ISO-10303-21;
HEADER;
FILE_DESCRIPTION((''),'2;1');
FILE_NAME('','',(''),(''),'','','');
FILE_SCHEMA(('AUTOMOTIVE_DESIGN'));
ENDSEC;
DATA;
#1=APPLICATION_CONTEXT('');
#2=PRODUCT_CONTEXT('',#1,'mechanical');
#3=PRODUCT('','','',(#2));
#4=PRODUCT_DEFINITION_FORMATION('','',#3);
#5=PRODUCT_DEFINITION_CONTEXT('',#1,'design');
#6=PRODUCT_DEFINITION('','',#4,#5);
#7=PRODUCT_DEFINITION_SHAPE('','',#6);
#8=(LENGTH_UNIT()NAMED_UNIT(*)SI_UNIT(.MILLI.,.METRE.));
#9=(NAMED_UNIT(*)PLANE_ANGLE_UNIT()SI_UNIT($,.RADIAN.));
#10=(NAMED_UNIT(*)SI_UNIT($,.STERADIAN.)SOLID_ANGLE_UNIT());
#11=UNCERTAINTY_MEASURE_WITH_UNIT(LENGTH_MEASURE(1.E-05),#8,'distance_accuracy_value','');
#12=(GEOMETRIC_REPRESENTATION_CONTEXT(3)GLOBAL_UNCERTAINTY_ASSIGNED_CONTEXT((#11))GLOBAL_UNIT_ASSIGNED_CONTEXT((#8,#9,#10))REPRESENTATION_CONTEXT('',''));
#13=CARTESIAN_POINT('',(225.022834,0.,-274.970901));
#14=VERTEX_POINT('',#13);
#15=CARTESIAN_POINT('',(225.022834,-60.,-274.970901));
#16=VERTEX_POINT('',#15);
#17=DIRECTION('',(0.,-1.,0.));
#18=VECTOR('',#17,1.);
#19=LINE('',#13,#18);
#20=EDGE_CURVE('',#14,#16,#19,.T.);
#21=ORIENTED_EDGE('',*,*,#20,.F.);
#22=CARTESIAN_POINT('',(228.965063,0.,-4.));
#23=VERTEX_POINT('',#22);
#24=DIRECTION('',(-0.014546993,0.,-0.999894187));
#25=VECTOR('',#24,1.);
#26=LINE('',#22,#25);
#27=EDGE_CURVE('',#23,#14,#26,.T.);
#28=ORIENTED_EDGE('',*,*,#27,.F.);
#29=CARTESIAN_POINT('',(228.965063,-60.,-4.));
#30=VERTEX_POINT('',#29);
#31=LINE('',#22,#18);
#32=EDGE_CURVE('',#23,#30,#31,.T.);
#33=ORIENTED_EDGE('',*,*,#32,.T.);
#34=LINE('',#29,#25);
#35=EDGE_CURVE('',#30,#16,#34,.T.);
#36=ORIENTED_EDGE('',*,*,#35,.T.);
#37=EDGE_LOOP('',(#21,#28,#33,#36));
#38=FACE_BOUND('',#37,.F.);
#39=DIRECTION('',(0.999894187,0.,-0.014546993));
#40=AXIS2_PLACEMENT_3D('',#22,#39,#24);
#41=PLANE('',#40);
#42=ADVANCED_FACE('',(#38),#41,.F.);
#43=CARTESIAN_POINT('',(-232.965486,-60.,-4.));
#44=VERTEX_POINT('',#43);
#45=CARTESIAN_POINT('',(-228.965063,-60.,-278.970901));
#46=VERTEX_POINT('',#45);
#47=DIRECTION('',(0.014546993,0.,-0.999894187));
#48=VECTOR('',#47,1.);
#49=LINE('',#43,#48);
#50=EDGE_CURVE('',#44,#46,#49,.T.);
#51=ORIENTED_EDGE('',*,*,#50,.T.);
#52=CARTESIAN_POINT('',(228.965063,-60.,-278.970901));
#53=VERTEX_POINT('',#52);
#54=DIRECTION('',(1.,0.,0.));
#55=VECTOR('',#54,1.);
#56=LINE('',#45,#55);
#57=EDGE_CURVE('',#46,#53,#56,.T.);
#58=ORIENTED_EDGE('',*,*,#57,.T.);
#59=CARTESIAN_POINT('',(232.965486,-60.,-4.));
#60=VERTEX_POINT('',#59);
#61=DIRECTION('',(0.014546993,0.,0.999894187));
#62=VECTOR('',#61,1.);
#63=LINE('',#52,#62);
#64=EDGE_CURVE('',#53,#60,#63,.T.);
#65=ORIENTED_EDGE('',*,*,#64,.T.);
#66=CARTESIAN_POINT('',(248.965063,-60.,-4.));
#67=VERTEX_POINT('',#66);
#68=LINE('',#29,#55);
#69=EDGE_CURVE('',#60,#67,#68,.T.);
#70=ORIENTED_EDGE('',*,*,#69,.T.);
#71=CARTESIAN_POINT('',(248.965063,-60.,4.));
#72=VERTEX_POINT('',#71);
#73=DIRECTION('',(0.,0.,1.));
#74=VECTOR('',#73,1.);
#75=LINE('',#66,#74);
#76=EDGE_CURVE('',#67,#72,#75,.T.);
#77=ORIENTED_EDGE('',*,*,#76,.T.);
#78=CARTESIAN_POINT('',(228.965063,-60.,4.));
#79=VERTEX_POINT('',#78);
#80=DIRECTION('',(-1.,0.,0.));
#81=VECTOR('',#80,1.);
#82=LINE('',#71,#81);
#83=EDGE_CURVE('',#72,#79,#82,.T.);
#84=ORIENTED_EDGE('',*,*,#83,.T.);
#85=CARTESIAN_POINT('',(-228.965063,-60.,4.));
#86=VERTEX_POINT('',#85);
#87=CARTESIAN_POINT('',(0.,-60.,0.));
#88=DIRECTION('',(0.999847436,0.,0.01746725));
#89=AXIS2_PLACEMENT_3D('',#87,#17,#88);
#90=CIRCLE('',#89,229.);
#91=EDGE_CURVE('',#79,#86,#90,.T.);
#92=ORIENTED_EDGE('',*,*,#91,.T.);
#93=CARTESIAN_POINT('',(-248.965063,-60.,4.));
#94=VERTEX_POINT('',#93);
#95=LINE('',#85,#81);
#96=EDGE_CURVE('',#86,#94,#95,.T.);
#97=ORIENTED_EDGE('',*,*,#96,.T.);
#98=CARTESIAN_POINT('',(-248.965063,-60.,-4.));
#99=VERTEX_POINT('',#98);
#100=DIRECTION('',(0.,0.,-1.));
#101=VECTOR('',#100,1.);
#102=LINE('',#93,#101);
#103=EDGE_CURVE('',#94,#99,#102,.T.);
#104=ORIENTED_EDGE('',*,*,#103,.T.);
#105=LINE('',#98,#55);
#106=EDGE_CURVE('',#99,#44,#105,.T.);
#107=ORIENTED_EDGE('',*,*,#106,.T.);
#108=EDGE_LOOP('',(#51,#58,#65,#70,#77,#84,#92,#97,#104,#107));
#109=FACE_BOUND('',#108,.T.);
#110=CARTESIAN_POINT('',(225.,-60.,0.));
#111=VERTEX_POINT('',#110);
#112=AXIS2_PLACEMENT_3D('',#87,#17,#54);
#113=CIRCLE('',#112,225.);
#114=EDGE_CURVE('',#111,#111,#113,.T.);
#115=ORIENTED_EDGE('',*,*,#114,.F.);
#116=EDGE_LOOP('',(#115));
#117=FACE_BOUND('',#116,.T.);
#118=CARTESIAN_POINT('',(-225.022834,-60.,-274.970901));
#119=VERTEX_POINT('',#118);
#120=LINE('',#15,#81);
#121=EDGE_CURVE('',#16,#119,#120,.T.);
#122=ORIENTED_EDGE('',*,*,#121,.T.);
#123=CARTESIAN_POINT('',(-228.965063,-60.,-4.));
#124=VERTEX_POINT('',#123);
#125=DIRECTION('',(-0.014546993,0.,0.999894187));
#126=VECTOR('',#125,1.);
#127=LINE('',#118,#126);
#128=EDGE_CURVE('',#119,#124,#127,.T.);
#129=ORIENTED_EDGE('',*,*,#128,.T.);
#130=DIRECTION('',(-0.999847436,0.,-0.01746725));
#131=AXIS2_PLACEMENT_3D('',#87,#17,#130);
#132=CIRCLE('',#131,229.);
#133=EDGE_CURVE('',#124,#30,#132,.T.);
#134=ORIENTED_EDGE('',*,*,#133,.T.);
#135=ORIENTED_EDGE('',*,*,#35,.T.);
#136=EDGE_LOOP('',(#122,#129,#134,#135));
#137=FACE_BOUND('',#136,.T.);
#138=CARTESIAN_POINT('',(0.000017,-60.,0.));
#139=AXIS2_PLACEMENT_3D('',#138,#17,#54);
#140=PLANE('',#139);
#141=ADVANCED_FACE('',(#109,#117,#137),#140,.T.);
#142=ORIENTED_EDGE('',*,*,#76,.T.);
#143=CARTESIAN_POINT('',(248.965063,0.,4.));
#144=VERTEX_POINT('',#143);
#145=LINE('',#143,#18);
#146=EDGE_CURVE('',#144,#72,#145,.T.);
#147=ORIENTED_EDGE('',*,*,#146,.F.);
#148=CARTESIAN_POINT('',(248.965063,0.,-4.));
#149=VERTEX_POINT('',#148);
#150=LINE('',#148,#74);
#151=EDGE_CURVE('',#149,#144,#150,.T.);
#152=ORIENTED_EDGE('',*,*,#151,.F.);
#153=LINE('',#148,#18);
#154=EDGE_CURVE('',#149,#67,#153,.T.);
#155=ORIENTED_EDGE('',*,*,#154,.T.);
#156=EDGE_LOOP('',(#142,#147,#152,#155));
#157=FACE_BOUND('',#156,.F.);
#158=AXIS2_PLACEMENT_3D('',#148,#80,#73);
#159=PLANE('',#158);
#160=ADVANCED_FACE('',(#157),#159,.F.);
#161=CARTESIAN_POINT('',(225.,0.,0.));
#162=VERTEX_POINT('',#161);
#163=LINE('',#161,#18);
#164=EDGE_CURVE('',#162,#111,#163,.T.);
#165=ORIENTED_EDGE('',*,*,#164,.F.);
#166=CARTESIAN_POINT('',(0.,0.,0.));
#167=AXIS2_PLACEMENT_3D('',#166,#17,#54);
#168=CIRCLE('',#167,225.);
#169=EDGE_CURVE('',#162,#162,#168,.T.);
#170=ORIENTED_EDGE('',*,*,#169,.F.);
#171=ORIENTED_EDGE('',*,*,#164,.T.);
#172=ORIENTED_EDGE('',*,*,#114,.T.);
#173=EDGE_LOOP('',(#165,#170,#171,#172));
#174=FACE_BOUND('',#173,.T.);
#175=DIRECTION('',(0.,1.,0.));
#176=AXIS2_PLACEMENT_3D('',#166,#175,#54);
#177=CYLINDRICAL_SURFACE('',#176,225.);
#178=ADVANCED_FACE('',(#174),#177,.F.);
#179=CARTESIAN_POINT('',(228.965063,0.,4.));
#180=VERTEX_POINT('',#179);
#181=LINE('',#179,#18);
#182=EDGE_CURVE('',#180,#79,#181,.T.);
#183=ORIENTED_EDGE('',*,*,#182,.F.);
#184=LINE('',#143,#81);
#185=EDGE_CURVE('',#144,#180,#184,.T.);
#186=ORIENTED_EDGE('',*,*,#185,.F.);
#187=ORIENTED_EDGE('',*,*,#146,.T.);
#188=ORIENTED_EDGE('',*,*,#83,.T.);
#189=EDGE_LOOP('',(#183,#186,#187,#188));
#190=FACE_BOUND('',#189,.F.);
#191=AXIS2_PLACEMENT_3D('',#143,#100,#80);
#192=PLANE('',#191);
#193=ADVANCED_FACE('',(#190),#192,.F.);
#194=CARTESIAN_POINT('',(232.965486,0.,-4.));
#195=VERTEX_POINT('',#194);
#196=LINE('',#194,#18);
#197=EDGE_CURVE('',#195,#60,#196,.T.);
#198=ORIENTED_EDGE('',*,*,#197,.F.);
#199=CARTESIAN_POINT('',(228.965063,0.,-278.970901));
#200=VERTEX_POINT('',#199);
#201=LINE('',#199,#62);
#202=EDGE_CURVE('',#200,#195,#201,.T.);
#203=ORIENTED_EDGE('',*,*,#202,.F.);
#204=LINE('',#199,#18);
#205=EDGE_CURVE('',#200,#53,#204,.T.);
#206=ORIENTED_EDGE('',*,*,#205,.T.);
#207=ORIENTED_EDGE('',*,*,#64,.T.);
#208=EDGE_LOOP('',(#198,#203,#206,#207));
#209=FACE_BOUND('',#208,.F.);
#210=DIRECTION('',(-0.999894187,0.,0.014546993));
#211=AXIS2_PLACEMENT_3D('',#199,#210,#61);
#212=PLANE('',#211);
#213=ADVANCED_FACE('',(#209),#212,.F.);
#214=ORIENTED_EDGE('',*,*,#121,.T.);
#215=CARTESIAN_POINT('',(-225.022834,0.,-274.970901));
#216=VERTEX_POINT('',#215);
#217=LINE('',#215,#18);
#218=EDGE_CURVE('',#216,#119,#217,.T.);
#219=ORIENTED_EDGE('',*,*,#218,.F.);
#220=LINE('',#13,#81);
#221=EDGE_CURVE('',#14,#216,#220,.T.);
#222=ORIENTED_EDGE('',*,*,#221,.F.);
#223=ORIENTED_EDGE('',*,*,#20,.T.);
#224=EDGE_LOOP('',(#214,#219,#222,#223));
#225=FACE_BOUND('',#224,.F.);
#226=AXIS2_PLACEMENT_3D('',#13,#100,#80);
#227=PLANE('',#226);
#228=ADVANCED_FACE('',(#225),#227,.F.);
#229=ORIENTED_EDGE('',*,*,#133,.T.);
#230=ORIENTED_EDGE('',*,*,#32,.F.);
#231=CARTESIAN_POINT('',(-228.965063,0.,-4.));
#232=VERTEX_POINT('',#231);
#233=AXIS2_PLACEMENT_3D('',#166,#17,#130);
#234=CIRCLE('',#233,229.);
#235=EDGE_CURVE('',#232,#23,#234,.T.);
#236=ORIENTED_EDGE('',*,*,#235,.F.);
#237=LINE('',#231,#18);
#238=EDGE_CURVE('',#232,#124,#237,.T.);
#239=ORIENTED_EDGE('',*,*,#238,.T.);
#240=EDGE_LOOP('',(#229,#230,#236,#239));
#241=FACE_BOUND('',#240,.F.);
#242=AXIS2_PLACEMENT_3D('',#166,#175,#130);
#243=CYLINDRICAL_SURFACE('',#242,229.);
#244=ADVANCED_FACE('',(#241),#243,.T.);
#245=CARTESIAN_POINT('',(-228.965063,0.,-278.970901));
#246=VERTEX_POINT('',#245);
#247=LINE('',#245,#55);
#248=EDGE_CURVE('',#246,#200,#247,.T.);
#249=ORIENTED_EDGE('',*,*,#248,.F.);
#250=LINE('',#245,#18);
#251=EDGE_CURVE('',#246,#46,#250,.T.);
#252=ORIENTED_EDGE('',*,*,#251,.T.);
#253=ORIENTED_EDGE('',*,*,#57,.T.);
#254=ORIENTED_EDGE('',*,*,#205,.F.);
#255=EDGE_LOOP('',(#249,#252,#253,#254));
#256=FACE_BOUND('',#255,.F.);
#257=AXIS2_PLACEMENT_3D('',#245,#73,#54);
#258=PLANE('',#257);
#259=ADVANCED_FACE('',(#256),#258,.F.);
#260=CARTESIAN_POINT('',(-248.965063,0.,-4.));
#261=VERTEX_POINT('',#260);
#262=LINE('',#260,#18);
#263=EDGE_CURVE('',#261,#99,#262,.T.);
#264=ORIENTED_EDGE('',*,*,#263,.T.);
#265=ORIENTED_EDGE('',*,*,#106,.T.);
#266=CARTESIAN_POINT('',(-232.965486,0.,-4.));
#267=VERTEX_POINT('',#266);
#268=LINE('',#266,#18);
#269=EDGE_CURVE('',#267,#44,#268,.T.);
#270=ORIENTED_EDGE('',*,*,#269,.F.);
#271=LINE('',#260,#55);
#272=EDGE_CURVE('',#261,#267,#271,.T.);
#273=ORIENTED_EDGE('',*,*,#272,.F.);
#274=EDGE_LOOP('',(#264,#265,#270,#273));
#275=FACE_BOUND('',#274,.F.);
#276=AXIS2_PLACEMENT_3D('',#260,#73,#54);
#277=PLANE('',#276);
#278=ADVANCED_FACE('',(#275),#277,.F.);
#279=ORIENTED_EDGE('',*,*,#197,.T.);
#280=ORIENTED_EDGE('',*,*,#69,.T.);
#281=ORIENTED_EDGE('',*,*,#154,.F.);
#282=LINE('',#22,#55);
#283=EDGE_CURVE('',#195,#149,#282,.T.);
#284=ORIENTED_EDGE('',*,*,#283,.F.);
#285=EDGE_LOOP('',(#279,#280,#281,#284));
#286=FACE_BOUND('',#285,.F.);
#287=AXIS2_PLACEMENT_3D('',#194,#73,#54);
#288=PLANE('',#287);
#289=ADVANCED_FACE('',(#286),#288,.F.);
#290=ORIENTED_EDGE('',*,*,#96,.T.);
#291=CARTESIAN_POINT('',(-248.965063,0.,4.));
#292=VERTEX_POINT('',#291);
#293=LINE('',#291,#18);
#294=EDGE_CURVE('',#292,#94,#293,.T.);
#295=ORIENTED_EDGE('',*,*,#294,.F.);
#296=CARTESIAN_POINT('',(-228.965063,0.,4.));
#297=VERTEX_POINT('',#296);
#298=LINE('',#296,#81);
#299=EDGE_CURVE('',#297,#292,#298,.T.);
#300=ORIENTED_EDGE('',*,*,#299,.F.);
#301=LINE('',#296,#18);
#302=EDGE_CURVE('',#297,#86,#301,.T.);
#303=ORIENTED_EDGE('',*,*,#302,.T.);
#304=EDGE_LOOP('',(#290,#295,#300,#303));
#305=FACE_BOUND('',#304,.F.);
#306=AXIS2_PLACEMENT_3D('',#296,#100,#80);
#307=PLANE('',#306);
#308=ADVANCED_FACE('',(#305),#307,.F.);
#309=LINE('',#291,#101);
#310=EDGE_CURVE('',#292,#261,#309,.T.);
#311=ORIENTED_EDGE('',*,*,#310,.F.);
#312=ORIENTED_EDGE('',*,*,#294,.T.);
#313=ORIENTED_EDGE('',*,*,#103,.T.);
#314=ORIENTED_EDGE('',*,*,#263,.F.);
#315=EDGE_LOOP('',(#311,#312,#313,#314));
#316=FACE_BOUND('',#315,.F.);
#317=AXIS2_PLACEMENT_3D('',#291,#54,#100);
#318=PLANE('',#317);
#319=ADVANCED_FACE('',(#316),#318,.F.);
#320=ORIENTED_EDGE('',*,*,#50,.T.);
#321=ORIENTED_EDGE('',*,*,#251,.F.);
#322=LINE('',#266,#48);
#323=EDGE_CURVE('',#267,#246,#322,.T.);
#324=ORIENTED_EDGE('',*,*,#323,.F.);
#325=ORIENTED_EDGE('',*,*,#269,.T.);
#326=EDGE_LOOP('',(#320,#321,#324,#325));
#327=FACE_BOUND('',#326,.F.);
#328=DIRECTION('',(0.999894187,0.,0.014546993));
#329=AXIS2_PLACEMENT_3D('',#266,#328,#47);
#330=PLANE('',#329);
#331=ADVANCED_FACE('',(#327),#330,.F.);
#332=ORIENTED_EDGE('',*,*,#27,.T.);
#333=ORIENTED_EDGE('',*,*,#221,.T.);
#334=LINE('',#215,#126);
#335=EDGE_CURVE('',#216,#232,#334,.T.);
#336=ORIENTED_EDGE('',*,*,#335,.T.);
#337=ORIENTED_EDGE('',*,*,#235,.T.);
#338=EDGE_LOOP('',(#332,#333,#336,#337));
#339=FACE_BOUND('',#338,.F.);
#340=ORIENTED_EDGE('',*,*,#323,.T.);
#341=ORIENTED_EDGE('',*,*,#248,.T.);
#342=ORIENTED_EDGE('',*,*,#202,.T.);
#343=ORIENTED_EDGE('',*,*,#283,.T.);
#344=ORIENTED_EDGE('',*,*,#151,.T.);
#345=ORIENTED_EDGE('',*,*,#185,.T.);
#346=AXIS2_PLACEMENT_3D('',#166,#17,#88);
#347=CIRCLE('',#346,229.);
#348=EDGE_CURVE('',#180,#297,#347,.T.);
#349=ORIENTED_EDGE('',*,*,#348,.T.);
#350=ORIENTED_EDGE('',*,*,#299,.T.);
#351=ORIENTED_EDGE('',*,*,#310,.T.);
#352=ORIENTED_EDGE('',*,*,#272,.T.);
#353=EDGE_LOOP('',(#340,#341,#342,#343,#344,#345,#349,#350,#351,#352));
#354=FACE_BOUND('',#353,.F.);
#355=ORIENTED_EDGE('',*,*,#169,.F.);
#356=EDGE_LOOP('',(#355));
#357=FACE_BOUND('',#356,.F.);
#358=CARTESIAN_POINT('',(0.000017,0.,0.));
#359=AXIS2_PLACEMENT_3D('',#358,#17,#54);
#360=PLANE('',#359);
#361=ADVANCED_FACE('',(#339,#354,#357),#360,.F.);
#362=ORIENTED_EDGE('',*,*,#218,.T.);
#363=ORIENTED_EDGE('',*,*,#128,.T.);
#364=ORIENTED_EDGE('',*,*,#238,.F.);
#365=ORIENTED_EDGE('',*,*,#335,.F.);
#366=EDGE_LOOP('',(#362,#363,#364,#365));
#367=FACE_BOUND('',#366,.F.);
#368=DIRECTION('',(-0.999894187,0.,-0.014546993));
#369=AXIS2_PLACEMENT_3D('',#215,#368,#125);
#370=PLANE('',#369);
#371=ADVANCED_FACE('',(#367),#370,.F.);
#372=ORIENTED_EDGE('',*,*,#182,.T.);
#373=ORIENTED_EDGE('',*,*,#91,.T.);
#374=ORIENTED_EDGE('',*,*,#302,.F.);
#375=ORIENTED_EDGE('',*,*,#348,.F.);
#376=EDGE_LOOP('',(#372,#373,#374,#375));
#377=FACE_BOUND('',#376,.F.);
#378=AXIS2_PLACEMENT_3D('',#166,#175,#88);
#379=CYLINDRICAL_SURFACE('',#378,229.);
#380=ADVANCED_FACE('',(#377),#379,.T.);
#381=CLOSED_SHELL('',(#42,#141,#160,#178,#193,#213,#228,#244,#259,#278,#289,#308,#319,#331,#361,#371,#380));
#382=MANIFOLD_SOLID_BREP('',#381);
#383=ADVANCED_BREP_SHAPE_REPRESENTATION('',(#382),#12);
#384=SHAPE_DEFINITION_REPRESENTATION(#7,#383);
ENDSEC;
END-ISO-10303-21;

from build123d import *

# Parameters (mm, degrees)
F0_R     = 225
F1_DEPTH = 60


with BuildPart() as f1:
    # F0 (on Front) → F1 (new body)
    with BuildSketch(Plane.XZ):
        with BuildLine():
            ThreePointArc((228.965063, -4), (228.991266, -2.000076), (229, 0))
            ThreePointArc((229, 0), (228.991266, 2.000076), (228.965063, 4))
            ThreePointArc((228.965063, 4), (0, 229), (-228.965063, 4))
            ThreePointArc((-228.965063, 4), (-229, 0), (-228.965063, -4))
            ThreePointArc((-228.965063, -4), (0, -229), (228.965063, -4))
        make_face()
        Circle(F0_R, mode=Mode.SUBTRACT)
        with BuildLine():
            ThreePointArc((228.965063, 4), (228.991266, 2.000076), (229, 0))
            ThreePointArc((229, 0), (228.991266, -2.000076), (228.965063, -4))
            Line((228.965063, -4), (232.965486, -4))
            Line((232.965486, -4), (248.965063, -4))
            Line((248.965063, -4), (248.965063, 0))
            Line((248.965063, 0), (248.965063, 4))
            Line((248.965063, 4), (228.965063, 4))
        make_face()
        Polygon((232.965486, -4), (228.965063, -4), (225.022834, -274.970901), (-225.022834, -274.970901), (-228.965063, -4), (-232.965486, -4), (-228.965063, -278.970901), (228.965063, -278.970901), align=None)
        with BuildLine():
            ThreePointArc((-228.965063, -4), (-229, 0), (-228.965063, 4))
            Line((-228.965063, 4), (-248.965063, 4))
            Line((-248.965063, 4), (-248.965063, 0))
            Line((-248.965063, 0), (-248.965063, -4))
            Line((-248.965063, -4), (-232.965486, -4))
            Line((-232.965486, -4), (-228.965063, -4))
        make_face()
    extrude(amount=F1_DEPTH)


solid = f1.part
